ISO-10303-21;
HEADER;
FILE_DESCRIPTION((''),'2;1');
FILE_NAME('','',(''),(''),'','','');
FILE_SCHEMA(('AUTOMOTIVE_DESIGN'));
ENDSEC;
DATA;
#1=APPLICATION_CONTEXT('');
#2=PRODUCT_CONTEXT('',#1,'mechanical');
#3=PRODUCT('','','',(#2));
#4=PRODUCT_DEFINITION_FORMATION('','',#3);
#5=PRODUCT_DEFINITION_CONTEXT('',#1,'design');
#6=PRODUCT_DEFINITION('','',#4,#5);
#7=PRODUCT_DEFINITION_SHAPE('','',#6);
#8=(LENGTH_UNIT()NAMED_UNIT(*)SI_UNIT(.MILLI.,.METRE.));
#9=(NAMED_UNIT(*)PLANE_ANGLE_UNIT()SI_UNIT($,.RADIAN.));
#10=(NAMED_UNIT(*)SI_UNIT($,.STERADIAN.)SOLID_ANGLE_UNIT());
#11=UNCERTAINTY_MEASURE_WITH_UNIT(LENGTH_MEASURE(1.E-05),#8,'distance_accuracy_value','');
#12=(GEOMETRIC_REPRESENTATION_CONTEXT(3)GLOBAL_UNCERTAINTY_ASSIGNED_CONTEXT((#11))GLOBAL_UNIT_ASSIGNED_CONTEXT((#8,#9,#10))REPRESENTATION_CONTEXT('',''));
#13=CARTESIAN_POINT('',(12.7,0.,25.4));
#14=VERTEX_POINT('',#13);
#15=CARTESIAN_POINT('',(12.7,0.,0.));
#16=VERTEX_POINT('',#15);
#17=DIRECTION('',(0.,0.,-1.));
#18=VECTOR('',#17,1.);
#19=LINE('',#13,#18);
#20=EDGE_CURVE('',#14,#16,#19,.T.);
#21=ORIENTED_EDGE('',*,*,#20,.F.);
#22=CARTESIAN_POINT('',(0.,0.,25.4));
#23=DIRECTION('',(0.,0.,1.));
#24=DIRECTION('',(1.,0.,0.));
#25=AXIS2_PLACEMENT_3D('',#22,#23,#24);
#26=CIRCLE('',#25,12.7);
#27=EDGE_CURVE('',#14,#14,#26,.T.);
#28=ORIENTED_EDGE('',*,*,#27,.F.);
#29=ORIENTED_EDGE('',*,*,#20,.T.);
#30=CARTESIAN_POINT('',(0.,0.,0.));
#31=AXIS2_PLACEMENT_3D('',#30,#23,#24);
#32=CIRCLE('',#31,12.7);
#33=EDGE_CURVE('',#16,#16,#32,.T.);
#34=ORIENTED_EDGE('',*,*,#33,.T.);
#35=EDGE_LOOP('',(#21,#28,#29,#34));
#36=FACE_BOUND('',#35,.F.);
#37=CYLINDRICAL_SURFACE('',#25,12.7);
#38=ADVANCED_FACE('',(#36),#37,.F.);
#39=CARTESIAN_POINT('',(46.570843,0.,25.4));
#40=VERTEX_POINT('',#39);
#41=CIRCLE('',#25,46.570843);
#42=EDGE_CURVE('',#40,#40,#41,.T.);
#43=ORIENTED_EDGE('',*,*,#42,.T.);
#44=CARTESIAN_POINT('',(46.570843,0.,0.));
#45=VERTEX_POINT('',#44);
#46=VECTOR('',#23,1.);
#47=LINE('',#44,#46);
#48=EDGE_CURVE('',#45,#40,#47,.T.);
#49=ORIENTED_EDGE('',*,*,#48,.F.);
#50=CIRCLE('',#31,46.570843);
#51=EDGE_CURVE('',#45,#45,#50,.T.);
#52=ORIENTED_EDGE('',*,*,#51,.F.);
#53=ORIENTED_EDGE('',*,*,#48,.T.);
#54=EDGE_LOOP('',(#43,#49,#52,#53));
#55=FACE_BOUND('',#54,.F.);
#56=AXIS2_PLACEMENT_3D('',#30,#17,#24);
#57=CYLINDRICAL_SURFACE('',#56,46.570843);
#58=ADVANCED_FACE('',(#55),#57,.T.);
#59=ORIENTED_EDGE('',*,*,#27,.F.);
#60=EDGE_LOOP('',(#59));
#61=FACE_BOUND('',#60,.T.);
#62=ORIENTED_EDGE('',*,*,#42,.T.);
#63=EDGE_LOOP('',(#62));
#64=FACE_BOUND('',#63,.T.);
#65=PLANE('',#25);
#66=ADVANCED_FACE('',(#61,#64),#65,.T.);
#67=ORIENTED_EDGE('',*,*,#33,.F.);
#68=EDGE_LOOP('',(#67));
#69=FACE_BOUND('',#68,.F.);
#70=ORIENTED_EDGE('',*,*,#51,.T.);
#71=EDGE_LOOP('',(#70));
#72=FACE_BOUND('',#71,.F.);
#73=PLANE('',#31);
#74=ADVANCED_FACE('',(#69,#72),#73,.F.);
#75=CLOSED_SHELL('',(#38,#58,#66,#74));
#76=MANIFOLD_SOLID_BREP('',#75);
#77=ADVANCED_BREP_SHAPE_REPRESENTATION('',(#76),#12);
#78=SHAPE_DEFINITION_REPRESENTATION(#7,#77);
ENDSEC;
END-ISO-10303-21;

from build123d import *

# Parameters (mm, degrees)
F0_R      = 46.570843
F1_DEPTH  = 25.4
F2_R      = 13.732037
F3_DEPTH  = 25.4
F4_R      = 12.7
F5_DEPTH  = 25.4
F5_FACE_R = 12.7
F6_DEPTH  = 25.4
F7_R      = 12.7
F8_DEPTH  = 25.4


with BuildPart() as f1:
    # F0 (on Top) → F1 (new body)
    with BuildSketch(Plane.XY):
        Circle(F0_R)
    extrude(amount=F1_DEPTH)

    # F2 (on Top) → F3 (join)
    with BuildSketch(Plane.XY):
        Circle(F2_R)
    extrude(amount=F3_DEPTH)

    # F4 (on face) → F5 (join)
    with BuildSketch(Plane.XY.offset(25.4)):
        Circle(F4_R)
    extrude(amount=F5_DEPTH)

    # F5_face (on face) → F6 (cut)
    with BuildSketch(Plane.XY.offset(50.8)):
        Circle(F5_FACE_R)
    extrude(amount=-F6_DEPTH, mode=Mode.SUBTRACT)

    # F7 (on face) → F8 (cut)
    with BuildSketch(Plane.XY.offset(25.4)):
        Circle(F7_R)
    extrude(amount=-F8_DEPTH, mode=Mode.SUBTRACT)


solid = f1.part
